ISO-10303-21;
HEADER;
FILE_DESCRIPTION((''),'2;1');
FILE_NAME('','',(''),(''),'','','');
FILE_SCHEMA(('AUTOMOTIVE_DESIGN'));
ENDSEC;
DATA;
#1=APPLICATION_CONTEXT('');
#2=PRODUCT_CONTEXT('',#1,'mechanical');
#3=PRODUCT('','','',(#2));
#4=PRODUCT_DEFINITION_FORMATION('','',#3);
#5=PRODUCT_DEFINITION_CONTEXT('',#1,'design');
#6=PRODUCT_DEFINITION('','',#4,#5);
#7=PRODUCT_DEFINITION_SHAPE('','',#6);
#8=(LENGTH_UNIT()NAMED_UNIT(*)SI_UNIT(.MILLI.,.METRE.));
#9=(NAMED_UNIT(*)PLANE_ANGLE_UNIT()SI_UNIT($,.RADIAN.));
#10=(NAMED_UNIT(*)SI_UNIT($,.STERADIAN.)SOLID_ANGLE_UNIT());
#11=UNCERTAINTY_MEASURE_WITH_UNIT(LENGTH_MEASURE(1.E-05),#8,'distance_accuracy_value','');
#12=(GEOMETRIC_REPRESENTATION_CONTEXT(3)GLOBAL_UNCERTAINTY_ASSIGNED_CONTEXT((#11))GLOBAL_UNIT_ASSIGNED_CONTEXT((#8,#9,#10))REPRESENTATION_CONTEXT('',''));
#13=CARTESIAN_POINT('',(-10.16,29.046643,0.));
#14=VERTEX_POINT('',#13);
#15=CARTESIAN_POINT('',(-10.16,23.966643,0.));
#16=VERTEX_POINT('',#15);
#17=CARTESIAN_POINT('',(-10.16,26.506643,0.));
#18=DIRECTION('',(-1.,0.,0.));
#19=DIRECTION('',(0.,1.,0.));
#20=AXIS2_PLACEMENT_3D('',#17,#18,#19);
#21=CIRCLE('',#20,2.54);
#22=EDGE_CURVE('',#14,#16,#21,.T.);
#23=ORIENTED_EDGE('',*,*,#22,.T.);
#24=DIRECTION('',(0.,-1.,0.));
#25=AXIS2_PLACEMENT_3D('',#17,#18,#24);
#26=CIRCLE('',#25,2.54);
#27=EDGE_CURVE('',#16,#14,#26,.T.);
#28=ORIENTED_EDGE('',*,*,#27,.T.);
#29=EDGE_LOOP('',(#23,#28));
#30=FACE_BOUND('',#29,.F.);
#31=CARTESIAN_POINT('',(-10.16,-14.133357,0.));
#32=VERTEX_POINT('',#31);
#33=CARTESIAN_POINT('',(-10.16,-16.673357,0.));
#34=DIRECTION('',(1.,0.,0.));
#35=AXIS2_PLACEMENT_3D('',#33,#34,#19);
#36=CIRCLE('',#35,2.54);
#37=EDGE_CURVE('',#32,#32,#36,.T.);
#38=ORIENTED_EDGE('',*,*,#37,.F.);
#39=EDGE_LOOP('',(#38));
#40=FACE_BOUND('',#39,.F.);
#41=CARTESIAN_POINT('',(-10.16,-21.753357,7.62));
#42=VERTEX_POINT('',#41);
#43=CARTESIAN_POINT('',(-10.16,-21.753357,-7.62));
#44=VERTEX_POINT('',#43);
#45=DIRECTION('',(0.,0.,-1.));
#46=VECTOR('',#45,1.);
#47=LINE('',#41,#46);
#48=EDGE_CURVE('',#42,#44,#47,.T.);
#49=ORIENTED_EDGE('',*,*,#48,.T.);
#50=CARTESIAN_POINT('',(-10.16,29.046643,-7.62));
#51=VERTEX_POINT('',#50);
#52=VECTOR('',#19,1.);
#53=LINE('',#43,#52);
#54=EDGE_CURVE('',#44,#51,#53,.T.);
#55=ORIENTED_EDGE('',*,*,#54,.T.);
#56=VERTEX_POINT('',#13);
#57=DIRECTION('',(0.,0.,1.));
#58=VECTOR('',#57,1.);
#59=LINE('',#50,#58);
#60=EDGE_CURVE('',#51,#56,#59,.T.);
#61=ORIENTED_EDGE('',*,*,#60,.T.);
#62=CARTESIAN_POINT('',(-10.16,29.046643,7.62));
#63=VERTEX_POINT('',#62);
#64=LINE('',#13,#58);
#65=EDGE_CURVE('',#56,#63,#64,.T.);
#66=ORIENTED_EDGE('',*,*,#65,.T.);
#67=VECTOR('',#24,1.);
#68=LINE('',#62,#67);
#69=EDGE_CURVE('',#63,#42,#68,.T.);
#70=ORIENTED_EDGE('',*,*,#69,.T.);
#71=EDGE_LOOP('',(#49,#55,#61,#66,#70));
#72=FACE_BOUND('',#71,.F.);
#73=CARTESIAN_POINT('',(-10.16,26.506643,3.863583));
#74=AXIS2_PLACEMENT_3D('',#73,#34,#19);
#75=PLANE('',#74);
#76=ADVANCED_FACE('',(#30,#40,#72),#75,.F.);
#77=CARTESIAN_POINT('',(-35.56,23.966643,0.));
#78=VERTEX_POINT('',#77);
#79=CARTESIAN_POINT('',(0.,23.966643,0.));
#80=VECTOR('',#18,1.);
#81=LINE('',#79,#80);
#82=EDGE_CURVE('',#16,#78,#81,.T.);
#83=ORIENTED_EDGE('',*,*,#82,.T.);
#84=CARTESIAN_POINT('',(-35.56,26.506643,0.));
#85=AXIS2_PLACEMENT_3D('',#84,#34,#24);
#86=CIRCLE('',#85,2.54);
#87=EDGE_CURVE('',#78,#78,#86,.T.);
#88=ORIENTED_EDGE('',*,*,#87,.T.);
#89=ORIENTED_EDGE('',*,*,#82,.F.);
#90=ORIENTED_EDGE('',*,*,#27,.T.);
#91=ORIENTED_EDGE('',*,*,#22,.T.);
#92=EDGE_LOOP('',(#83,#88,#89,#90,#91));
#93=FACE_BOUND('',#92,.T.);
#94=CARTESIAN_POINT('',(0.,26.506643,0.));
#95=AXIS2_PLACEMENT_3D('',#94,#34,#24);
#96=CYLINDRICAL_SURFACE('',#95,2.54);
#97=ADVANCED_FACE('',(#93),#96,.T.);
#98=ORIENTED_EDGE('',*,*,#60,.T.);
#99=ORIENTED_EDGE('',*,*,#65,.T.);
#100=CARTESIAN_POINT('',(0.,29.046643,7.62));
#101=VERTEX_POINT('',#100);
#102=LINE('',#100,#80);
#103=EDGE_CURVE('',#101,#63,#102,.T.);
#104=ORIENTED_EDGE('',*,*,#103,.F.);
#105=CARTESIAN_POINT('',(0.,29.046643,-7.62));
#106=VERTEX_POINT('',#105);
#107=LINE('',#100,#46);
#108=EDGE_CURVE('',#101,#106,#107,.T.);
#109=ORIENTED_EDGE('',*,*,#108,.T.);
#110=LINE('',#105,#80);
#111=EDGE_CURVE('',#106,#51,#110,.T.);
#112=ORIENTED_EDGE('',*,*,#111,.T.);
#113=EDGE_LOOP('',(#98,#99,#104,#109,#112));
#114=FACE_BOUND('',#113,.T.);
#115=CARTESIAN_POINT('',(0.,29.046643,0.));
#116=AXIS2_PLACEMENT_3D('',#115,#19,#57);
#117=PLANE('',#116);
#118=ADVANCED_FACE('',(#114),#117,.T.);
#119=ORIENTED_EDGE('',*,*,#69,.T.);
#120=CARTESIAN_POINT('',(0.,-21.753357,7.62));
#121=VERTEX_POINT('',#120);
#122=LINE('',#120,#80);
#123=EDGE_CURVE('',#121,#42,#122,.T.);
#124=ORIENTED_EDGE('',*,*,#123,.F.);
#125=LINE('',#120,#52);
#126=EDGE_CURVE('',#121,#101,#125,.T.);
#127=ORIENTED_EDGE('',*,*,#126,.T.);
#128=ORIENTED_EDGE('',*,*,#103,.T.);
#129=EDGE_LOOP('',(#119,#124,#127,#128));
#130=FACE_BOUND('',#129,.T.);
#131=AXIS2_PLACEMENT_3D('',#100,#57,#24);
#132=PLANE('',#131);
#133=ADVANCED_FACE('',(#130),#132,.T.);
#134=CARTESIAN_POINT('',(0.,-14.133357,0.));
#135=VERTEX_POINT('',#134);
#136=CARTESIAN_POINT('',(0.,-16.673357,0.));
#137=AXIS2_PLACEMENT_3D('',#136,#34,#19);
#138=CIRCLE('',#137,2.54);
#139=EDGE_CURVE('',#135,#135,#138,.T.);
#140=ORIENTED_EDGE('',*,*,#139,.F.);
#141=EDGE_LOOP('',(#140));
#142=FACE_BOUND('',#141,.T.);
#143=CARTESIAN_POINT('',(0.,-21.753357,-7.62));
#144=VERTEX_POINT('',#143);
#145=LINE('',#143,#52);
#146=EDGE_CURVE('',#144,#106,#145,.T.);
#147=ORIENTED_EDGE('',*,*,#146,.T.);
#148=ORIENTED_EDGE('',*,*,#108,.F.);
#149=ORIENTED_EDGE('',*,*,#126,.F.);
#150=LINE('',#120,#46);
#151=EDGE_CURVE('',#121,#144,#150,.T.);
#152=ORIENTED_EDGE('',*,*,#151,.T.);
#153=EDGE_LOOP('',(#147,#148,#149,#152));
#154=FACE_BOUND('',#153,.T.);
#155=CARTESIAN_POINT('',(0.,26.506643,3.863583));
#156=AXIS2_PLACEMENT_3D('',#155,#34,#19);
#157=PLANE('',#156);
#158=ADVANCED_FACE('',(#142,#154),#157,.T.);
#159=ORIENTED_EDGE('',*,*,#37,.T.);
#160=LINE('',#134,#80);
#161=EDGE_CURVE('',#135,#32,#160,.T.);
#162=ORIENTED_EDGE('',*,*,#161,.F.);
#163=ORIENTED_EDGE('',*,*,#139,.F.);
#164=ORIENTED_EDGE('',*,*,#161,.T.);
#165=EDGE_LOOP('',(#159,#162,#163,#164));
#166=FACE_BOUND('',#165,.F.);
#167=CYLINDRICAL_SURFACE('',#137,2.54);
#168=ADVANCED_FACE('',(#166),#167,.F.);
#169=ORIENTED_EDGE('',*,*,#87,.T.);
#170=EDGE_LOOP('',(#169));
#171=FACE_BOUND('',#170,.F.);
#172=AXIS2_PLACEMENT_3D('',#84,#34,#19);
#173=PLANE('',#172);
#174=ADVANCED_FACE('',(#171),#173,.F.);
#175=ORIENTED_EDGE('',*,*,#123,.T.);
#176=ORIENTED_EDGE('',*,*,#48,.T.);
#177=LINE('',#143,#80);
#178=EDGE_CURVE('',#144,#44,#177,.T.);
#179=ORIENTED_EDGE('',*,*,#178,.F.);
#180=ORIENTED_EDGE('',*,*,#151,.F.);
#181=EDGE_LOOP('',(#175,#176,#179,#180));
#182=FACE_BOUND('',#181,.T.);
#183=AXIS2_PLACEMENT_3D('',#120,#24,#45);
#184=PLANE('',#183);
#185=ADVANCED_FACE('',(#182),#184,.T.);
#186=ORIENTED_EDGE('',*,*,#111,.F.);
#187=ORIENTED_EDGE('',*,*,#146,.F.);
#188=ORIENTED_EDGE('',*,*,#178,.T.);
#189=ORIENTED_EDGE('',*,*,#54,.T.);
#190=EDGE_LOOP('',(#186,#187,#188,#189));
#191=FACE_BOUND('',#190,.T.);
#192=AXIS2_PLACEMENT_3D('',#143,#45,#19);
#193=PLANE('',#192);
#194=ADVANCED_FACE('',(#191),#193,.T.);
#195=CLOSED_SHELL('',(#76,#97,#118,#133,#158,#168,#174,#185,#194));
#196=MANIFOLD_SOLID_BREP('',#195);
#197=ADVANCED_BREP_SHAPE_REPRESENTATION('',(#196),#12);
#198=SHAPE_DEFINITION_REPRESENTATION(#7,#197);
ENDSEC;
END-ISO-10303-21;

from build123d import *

# Parameters (mm, degrees)
F1_DEPTH = 35.56
F0_R     = 2.54
F2_DEPTH = 10.16
F3_DEPTH = 10.16


with BuildPart() as f1:
    # F0 (on Right) → F1 (new body)
    with BuildSketch(Plane.YZ):
        with BuildLine():
            ThreePointArc((29.046643, 0), (26.506643, 2.54), (23.966643, 0))
            ThreePointArc((23.966643, 0), (26.506643, -2.54), (29.046643, 0))
        make_face()
    extrude(amount=-F1_DEPTH)

    # F0 (on Right) → F2 (join)
    with BuildSketch(Plane.YZ):
        Polygon((23.966643, 7.62), (-21.753357, 7.62), (-21.753357, -7.62), (23.966643, -7.62), (23.966643, 0), align=None)
        with Locations((-16.673357, 0)):
            Circle(F0_R, mode=Mode.SUBTRACT)
        with BuildLine():
            ThreePointArc((29.046643, 0), (26.506643, -2.54), (23.966643, 0))
            Line((23.966643, 0), (23.966643, -7.62))
            Line((23.966643, -7.62), (29.046643, -7.62))
            Line((29.046643, -7.62), (29.046643, 0))
        make_face()
    extrude(amount=-F2_DEPTH)

    # F0 (on Right) → F3 (join)
    with BuildSketch(Plane.YZ):
        with BuildLine():
            Line((29.046643, 7.62), (23.966643, 7.62))
            Line((23.966643, 7.62), (23.966643, 0))
            ThreePointArc((23.966643, 0), (26.506643, 2.54), (29.046643, 0))
            Line((29.046643, 0), (29.046643, 7.62))
        make_face()
    extrude(amount=-F3_DEPTH)


solid = f1.part
